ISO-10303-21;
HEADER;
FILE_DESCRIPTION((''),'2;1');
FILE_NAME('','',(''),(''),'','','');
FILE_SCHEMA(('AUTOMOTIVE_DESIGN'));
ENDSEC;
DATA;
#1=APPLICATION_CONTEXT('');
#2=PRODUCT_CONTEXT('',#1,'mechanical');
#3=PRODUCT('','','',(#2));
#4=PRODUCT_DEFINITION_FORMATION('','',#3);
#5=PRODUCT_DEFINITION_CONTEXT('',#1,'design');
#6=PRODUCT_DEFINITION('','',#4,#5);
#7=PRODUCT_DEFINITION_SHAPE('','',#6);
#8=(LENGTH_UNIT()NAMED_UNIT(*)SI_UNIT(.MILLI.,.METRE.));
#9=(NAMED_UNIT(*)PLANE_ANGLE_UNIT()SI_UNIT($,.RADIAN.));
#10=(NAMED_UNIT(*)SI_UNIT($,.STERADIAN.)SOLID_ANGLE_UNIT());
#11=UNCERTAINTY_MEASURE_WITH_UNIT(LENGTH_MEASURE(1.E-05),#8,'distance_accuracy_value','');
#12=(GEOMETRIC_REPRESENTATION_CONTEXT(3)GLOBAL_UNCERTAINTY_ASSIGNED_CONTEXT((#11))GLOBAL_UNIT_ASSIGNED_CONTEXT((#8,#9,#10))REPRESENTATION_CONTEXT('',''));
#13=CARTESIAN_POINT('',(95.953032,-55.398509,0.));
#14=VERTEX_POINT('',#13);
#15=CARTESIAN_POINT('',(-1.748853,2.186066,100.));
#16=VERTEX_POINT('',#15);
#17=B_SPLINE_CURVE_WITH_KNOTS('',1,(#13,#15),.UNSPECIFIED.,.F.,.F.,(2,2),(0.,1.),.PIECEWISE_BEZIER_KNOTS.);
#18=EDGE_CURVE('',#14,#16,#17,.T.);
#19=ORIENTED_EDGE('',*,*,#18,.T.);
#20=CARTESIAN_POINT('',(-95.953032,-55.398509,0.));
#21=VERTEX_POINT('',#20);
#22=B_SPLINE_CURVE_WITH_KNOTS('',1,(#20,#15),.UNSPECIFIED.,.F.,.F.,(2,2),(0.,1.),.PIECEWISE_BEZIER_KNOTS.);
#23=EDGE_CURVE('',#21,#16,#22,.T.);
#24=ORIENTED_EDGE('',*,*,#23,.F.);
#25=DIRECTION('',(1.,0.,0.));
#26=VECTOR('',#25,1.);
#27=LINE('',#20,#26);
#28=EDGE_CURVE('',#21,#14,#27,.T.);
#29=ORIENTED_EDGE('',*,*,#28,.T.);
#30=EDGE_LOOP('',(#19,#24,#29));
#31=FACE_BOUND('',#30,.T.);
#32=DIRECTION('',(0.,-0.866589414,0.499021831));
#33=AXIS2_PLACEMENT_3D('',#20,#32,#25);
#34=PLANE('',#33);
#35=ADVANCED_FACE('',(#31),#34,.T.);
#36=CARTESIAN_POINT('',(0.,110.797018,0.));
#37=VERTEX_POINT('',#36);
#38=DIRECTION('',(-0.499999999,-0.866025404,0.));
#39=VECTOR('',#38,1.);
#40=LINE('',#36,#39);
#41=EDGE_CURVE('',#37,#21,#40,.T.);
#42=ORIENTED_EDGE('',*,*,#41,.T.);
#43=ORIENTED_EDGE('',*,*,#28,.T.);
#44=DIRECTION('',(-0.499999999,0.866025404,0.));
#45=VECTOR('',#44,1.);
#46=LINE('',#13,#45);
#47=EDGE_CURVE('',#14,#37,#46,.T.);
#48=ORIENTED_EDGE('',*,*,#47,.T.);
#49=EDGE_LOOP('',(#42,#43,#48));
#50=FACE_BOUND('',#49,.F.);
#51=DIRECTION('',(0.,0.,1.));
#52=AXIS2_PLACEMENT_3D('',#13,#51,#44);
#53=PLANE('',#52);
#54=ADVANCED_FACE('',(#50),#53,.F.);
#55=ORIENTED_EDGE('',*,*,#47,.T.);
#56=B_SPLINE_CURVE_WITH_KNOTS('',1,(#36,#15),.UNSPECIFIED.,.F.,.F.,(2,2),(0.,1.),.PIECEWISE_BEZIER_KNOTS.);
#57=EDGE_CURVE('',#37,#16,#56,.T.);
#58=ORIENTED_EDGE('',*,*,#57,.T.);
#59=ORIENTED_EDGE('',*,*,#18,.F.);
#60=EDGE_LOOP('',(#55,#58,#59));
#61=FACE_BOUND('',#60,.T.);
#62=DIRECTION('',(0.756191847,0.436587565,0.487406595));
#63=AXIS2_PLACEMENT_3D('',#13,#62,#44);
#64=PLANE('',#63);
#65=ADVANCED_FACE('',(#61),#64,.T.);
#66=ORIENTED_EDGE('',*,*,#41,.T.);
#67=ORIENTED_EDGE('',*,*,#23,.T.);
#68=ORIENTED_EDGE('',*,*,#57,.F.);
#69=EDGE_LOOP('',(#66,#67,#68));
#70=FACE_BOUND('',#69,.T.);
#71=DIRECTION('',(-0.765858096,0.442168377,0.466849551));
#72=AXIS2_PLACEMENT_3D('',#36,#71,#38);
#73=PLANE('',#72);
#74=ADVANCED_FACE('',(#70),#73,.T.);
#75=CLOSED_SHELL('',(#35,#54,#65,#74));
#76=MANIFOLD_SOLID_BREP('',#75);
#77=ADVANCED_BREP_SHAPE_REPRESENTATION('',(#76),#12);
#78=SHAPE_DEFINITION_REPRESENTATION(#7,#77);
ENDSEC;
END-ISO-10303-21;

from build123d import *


with BuildPart() as f3:
    # F0 (on Top) → F3 section 0
    with BuildSketch(Plane.XY, mode=Mode.PRIVATE) as f3_s0:
        Polygon((95.953032, -55.398509), (0, 110.797018), (-95.953032, -55.398509), align=None)
    loft([f3_s0.sketch, Vertex(-1.748853, 2.186066, 100)])


solid = f3.part
